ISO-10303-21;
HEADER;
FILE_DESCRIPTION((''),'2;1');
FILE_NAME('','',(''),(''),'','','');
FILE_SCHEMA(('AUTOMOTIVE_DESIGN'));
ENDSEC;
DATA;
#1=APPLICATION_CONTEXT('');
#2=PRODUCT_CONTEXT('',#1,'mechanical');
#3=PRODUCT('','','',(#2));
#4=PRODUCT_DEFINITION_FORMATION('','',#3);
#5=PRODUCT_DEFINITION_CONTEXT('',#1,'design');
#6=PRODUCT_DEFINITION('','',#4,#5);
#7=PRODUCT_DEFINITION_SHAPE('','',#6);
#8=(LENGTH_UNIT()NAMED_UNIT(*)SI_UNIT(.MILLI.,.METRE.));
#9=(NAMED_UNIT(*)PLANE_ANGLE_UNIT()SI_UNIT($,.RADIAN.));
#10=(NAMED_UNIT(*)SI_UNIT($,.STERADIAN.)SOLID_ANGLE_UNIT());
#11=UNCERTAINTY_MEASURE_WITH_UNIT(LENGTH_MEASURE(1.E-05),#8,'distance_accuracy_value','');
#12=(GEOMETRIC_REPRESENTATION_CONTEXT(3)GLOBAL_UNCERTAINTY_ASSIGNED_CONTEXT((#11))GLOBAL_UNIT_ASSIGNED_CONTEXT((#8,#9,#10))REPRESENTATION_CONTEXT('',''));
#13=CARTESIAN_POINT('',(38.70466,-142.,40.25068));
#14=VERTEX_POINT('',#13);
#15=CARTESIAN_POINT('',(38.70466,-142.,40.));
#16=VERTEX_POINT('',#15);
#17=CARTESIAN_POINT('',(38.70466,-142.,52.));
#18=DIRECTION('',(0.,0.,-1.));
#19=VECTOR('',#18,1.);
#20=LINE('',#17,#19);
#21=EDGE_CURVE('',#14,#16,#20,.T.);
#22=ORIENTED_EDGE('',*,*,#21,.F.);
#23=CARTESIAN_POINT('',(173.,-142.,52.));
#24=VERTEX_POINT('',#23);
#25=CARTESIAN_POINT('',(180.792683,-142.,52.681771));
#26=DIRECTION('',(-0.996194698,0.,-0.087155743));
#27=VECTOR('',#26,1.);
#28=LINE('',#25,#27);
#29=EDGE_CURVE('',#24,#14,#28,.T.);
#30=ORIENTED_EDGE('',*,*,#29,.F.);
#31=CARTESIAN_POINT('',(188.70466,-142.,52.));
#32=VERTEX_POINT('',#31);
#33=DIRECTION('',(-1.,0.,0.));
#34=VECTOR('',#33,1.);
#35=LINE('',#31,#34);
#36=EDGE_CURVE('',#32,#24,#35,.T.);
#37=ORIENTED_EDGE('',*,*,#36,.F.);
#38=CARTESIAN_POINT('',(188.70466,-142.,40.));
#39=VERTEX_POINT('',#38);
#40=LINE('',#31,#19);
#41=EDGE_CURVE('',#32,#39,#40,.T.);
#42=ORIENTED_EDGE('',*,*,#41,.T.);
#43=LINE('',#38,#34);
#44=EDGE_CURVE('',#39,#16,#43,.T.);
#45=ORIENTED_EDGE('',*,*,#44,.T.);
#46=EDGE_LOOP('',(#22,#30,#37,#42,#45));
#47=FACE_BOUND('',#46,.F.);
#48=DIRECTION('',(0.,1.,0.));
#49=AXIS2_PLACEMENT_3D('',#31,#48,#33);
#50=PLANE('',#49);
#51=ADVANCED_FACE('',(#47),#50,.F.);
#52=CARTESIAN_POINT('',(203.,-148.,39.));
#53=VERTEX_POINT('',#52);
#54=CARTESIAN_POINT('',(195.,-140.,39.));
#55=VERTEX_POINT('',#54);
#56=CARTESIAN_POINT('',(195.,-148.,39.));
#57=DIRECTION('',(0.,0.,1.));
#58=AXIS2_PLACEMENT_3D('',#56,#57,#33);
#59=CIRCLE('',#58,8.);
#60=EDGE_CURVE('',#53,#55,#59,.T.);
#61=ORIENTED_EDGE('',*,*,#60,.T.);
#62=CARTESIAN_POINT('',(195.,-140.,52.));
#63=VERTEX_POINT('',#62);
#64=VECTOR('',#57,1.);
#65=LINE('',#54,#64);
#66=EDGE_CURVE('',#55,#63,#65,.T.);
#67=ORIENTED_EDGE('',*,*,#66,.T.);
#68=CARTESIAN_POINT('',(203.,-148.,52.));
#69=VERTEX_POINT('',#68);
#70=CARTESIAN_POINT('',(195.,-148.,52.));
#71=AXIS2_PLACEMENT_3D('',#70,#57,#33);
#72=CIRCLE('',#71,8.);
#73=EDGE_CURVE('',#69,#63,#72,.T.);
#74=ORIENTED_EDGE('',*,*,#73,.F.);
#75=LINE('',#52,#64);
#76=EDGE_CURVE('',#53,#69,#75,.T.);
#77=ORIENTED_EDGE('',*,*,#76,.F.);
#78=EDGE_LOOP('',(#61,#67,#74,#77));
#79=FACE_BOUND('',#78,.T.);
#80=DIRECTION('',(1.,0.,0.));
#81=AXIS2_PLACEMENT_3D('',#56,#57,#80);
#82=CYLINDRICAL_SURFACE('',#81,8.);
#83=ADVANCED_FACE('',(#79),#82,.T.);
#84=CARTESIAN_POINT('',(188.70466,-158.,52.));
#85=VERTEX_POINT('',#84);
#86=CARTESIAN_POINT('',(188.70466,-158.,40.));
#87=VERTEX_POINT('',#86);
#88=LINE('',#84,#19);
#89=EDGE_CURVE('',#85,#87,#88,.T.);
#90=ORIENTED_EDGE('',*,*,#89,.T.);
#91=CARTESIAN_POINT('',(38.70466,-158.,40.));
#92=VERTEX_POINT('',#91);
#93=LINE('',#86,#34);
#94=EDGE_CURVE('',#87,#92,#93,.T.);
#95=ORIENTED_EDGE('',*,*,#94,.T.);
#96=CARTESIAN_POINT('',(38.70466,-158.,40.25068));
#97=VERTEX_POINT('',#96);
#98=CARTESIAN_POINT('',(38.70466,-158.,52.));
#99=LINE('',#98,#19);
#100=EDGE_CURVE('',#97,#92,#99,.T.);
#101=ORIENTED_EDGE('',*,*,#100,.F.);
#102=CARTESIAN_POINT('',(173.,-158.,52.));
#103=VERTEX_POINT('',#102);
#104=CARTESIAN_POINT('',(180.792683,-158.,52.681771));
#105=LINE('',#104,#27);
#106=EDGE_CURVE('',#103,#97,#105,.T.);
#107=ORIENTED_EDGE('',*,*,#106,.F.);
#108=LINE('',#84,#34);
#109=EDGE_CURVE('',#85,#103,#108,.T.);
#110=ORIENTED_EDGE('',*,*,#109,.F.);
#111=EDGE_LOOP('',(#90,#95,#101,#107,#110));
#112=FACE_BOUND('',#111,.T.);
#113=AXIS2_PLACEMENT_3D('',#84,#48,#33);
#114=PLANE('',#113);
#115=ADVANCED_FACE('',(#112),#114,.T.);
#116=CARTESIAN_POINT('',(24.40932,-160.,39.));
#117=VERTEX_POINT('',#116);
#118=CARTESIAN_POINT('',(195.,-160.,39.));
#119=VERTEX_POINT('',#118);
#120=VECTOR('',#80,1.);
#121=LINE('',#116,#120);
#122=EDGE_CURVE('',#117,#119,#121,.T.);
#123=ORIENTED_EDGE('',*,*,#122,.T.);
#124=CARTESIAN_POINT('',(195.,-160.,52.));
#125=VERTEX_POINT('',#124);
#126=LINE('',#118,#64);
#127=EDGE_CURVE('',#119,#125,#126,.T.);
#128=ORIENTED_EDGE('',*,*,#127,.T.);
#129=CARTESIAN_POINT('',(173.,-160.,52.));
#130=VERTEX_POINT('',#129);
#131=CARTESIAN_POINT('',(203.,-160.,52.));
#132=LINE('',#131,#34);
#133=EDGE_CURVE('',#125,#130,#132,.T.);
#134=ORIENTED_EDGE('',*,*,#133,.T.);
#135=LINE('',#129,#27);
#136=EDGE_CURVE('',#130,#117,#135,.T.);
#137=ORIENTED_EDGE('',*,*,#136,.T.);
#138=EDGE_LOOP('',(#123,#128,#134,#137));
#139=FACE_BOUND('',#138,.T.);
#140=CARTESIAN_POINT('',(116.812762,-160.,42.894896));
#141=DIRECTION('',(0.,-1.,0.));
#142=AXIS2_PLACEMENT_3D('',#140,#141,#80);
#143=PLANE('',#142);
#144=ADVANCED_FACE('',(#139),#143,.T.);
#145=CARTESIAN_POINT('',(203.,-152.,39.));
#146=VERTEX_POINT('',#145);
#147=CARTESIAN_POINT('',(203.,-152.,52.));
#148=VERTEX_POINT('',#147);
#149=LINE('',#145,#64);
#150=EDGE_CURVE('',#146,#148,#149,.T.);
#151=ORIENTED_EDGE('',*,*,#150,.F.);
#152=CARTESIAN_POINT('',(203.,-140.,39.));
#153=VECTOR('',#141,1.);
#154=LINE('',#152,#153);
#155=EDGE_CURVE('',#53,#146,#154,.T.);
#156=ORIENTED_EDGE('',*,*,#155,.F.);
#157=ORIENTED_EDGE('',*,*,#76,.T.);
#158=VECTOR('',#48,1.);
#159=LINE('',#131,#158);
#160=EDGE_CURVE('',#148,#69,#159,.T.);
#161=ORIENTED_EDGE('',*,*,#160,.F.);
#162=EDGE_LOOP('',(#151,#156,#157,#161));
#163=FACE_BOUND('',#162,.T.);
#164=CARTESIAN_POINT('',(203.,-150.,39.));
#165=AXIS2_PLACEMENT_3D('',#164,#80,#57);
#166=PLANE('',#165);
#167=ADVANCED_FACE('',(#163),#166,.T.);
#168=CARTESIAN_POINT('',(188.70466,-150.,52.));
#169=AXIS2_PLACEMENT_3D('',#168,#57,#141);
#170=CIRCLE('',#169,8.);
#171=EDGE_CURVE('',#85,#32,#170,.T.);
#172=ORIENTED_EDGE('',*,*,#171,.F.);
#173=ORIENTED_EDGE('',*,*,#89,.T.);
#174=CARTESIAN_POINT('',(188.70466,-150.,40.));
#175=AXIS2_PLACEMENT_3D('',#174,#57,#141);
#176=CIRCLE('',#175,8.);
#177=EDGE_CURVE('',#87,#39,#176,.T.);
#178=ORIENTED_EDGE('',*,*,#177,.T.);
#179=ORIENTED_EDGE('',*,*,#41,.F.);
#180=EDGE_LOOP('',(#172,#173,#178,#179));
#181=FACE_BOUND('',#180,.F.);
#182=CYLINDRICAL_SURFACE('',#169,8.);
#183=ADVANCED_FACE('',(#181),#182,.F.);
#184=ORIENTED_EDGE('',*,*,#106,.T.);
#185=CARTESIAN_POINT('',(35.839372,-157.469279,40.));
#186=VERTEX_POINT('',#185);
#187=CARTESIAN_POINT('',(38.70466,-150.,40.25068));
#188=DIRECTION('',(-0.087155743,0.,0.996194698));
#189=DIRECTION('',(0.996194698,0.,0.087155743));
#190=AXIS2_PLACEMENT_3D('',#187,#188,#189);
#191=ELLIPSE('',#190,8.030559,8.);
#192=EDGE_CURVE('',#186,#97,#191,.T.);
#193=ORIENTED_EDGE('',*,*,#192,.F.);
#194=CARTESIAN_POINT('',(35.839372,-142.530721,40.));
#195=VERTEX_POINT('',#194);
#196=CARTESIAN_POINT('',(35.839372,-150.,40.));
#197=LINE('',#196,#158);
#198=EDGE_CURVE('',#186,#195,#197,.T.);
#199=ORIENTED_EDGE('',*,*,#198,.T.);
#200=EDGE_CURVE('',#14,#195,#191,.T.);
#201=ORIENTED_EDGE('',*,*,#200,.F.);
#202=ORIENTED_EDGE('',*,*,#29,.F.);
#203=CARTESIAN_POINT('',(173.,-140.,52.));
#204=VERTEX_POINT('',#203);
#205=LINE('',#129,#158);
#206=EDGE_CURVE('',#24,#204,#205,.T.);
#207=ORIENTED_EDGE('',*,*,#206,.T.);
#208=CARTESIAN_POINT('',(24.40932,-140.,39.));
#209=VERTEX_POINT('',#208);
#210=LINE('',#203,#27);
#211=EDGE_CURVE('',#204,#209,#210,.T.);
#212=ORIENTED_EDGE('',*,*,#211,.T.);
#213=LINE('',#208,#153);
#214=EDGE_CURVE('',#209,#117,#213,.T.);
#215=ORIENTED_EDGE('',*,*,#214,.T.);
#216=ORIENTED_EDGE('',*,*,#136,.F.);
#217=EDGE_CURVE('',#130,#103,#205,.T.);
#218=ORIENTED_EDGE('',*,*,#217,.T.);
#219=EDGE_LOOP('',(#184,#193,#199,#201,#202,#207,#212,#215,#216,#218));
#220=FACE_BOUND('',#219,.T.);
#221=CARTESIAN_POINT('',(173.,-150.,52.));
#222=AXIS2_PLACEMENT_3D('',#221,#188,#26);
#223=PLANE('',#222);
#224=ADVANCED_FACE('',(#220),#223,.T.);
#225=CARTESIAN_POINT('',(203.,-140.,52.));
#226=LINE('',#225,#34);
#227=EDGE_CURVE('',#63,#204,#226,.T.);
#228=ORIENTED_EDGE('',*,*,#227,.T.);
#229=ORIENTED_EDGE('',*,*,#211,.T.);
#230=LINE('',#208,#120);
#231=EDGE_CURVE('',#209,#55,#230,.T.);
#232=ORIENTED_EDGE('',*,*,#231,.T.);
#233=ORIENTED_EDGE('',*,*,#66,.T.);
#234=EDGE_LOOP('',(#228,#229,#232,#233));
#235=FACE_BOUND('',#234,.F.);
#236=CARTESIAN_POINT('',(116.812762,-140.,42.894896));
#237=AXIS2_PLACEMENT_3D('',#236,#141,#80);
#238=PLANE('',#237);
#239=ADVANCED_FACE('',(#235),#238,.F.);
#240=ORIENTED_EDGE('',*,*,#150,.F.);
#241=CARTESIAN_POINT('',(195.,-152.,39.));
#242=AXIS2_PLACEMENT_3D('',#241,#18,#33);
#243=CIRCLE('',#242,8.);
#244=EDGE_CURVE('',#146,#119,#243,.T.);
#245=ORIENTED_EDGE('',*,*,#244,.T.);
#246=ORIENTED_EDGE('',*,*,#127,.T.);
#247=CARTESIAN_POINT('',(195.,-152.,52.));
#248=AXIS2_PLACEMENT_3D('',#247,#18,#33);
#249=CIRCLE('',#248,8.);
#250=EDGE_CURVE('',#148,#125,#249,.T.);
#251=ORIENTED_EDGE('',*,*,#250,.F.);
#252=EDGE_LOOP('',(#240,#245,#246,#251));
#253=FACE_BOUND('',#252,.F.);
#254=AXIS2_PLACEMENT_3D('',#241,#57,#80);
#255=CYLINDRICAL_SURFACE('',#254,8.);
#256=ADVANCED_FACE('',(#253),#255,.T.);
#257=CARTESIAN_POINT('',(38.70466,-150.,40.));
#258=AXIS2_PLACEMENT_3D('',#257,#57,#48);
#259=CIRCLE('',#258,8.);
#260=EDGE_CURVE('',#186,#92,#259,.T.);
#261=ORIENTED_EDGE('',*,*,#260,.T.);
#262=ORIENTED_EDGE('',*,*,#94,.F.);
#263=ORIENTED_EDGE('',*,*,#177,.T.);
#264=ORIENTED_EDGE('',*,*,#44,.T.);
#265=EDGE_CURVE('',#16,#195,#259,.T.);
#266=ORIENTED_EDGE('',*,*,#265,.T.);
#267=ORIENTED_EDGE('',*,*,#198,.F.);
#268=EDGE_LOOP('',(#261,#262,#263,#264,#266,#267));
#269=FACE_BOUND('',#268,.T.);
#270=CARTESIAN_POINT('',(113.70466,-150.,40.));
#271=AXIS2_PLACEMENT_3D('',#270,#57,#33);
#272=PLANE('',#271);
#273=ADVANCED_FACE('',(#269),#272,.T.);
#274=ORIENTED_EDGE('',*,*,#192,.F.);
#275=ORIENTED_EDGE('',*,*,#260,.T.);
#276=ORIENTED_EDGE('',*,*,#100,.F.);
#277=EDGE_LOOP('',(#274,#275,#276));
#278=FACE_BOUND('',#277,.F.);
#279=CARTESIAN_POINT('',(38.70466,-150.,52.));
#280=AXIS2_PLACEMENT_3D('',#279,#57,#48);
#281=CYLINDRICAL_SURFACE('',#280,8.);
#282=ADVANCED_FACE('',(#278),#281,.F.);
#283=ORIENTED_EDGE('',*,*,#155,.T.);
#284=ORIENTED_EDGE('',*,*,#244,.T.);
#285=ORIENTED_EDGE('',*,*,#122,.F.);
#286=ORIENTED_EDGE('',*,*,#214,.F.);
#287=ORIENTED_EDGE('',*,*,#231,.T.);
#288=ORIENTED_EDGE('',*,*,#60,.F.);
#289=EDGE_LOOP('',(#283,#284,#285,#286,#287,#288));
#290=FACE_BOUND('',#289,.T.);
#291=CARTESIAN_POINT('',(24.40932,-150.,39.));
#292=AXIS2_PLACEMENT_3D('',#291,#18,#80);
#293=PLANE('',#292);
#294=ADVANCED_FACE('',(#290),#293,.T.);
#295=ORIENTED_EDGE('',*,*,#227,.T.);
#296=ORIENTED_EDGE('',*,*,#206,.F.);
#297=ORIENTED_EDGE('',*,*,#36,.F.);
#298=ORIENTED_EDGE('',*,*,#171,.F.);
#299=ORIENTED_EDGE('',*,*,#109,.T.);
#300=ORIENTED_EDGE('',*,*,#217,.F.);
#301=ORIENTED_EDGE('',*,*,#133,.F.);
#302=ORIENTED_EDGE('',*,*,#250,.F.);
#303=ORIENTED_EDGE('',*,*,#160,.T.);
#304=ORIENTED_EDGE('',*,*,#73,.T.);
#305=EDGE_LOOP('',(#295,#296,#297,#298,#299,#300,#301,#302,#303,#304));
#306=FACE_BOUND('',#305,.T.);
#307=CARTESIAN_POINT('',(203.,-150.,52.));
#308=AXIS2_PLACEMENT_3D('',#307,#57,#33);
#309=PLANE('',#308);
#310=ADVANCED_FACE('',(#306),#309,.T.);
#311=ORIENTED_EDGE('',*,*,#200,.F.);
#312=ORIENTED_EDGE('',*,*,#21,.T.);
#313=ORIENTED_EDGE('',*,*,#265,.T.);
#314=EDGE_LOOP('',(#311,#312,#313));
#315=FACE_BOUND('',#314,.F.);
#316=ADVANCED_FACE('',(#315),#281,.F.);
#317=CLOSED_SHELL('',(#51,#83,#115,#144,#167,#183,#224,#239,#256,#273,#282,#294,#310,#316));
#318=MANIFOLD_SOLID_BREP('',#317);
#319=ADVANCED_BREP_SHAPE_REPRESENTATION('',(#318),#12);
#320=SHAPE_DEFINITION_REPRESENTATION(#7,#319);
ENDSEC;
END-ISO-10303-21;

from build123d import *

# Parameters (mm, degrees)
PAD127_DEPTH            = 10
FILLET002_R             = 8
POCKET105_DEPTH         = 12
BODY089_PLACEMENT_ANGLE = 270


with BuildPart() as part:
    # Sketch257 → Pad127 (new body, symmetric)
    with BuildSketch(Plane.YZ):
        Polygon((0, 13), (-148.59068, 0), (30, 0), (30, 13), align=None)
    extrude(amount=PAD127_DEPTH, both=True)

    # Fillet002
    fillet002_edges = [part.edges().sort_by_distance(p)[0] for p in [
        (10, 30, 6.5),
        (-10, 30, 6.5),
    ]]
    fillet(fillet002_edges, radius=FILLET002_R)

    # Sketch258 (on Face8 of Fillet002) → Pocket105 (cut)
    with BuildSketch(Plane(origin=(0, 0, 13), x_dir=(0, -1, 0), z_dir=(0, 0, 1))):
        with BuildLine():
            ThreePointArc((-15.70466, 8), (-23.70466, 0), (-15.70466, -8))
            Line((-15.70466, -8), (134.29534, -8))
            ThreePointArc((134.29534, -8), (142.29534, 0), (134.29534, 8))
            Line((-15.70466, 8), (134.29534, 8))
        make_face()
    extrude(amount=-POCKET105_DEPTH, mode=Mode.SUBTRACT)


with BuildPart() as part_1:
    # Body089 placement: moved
    add(part.part.moved(Location((173, -150, 39))).rotate(Axis((173, -150, 39), (0, 0, 1)), BODY089_PLACEMENT_ANGLE))


solid = part_1.part
